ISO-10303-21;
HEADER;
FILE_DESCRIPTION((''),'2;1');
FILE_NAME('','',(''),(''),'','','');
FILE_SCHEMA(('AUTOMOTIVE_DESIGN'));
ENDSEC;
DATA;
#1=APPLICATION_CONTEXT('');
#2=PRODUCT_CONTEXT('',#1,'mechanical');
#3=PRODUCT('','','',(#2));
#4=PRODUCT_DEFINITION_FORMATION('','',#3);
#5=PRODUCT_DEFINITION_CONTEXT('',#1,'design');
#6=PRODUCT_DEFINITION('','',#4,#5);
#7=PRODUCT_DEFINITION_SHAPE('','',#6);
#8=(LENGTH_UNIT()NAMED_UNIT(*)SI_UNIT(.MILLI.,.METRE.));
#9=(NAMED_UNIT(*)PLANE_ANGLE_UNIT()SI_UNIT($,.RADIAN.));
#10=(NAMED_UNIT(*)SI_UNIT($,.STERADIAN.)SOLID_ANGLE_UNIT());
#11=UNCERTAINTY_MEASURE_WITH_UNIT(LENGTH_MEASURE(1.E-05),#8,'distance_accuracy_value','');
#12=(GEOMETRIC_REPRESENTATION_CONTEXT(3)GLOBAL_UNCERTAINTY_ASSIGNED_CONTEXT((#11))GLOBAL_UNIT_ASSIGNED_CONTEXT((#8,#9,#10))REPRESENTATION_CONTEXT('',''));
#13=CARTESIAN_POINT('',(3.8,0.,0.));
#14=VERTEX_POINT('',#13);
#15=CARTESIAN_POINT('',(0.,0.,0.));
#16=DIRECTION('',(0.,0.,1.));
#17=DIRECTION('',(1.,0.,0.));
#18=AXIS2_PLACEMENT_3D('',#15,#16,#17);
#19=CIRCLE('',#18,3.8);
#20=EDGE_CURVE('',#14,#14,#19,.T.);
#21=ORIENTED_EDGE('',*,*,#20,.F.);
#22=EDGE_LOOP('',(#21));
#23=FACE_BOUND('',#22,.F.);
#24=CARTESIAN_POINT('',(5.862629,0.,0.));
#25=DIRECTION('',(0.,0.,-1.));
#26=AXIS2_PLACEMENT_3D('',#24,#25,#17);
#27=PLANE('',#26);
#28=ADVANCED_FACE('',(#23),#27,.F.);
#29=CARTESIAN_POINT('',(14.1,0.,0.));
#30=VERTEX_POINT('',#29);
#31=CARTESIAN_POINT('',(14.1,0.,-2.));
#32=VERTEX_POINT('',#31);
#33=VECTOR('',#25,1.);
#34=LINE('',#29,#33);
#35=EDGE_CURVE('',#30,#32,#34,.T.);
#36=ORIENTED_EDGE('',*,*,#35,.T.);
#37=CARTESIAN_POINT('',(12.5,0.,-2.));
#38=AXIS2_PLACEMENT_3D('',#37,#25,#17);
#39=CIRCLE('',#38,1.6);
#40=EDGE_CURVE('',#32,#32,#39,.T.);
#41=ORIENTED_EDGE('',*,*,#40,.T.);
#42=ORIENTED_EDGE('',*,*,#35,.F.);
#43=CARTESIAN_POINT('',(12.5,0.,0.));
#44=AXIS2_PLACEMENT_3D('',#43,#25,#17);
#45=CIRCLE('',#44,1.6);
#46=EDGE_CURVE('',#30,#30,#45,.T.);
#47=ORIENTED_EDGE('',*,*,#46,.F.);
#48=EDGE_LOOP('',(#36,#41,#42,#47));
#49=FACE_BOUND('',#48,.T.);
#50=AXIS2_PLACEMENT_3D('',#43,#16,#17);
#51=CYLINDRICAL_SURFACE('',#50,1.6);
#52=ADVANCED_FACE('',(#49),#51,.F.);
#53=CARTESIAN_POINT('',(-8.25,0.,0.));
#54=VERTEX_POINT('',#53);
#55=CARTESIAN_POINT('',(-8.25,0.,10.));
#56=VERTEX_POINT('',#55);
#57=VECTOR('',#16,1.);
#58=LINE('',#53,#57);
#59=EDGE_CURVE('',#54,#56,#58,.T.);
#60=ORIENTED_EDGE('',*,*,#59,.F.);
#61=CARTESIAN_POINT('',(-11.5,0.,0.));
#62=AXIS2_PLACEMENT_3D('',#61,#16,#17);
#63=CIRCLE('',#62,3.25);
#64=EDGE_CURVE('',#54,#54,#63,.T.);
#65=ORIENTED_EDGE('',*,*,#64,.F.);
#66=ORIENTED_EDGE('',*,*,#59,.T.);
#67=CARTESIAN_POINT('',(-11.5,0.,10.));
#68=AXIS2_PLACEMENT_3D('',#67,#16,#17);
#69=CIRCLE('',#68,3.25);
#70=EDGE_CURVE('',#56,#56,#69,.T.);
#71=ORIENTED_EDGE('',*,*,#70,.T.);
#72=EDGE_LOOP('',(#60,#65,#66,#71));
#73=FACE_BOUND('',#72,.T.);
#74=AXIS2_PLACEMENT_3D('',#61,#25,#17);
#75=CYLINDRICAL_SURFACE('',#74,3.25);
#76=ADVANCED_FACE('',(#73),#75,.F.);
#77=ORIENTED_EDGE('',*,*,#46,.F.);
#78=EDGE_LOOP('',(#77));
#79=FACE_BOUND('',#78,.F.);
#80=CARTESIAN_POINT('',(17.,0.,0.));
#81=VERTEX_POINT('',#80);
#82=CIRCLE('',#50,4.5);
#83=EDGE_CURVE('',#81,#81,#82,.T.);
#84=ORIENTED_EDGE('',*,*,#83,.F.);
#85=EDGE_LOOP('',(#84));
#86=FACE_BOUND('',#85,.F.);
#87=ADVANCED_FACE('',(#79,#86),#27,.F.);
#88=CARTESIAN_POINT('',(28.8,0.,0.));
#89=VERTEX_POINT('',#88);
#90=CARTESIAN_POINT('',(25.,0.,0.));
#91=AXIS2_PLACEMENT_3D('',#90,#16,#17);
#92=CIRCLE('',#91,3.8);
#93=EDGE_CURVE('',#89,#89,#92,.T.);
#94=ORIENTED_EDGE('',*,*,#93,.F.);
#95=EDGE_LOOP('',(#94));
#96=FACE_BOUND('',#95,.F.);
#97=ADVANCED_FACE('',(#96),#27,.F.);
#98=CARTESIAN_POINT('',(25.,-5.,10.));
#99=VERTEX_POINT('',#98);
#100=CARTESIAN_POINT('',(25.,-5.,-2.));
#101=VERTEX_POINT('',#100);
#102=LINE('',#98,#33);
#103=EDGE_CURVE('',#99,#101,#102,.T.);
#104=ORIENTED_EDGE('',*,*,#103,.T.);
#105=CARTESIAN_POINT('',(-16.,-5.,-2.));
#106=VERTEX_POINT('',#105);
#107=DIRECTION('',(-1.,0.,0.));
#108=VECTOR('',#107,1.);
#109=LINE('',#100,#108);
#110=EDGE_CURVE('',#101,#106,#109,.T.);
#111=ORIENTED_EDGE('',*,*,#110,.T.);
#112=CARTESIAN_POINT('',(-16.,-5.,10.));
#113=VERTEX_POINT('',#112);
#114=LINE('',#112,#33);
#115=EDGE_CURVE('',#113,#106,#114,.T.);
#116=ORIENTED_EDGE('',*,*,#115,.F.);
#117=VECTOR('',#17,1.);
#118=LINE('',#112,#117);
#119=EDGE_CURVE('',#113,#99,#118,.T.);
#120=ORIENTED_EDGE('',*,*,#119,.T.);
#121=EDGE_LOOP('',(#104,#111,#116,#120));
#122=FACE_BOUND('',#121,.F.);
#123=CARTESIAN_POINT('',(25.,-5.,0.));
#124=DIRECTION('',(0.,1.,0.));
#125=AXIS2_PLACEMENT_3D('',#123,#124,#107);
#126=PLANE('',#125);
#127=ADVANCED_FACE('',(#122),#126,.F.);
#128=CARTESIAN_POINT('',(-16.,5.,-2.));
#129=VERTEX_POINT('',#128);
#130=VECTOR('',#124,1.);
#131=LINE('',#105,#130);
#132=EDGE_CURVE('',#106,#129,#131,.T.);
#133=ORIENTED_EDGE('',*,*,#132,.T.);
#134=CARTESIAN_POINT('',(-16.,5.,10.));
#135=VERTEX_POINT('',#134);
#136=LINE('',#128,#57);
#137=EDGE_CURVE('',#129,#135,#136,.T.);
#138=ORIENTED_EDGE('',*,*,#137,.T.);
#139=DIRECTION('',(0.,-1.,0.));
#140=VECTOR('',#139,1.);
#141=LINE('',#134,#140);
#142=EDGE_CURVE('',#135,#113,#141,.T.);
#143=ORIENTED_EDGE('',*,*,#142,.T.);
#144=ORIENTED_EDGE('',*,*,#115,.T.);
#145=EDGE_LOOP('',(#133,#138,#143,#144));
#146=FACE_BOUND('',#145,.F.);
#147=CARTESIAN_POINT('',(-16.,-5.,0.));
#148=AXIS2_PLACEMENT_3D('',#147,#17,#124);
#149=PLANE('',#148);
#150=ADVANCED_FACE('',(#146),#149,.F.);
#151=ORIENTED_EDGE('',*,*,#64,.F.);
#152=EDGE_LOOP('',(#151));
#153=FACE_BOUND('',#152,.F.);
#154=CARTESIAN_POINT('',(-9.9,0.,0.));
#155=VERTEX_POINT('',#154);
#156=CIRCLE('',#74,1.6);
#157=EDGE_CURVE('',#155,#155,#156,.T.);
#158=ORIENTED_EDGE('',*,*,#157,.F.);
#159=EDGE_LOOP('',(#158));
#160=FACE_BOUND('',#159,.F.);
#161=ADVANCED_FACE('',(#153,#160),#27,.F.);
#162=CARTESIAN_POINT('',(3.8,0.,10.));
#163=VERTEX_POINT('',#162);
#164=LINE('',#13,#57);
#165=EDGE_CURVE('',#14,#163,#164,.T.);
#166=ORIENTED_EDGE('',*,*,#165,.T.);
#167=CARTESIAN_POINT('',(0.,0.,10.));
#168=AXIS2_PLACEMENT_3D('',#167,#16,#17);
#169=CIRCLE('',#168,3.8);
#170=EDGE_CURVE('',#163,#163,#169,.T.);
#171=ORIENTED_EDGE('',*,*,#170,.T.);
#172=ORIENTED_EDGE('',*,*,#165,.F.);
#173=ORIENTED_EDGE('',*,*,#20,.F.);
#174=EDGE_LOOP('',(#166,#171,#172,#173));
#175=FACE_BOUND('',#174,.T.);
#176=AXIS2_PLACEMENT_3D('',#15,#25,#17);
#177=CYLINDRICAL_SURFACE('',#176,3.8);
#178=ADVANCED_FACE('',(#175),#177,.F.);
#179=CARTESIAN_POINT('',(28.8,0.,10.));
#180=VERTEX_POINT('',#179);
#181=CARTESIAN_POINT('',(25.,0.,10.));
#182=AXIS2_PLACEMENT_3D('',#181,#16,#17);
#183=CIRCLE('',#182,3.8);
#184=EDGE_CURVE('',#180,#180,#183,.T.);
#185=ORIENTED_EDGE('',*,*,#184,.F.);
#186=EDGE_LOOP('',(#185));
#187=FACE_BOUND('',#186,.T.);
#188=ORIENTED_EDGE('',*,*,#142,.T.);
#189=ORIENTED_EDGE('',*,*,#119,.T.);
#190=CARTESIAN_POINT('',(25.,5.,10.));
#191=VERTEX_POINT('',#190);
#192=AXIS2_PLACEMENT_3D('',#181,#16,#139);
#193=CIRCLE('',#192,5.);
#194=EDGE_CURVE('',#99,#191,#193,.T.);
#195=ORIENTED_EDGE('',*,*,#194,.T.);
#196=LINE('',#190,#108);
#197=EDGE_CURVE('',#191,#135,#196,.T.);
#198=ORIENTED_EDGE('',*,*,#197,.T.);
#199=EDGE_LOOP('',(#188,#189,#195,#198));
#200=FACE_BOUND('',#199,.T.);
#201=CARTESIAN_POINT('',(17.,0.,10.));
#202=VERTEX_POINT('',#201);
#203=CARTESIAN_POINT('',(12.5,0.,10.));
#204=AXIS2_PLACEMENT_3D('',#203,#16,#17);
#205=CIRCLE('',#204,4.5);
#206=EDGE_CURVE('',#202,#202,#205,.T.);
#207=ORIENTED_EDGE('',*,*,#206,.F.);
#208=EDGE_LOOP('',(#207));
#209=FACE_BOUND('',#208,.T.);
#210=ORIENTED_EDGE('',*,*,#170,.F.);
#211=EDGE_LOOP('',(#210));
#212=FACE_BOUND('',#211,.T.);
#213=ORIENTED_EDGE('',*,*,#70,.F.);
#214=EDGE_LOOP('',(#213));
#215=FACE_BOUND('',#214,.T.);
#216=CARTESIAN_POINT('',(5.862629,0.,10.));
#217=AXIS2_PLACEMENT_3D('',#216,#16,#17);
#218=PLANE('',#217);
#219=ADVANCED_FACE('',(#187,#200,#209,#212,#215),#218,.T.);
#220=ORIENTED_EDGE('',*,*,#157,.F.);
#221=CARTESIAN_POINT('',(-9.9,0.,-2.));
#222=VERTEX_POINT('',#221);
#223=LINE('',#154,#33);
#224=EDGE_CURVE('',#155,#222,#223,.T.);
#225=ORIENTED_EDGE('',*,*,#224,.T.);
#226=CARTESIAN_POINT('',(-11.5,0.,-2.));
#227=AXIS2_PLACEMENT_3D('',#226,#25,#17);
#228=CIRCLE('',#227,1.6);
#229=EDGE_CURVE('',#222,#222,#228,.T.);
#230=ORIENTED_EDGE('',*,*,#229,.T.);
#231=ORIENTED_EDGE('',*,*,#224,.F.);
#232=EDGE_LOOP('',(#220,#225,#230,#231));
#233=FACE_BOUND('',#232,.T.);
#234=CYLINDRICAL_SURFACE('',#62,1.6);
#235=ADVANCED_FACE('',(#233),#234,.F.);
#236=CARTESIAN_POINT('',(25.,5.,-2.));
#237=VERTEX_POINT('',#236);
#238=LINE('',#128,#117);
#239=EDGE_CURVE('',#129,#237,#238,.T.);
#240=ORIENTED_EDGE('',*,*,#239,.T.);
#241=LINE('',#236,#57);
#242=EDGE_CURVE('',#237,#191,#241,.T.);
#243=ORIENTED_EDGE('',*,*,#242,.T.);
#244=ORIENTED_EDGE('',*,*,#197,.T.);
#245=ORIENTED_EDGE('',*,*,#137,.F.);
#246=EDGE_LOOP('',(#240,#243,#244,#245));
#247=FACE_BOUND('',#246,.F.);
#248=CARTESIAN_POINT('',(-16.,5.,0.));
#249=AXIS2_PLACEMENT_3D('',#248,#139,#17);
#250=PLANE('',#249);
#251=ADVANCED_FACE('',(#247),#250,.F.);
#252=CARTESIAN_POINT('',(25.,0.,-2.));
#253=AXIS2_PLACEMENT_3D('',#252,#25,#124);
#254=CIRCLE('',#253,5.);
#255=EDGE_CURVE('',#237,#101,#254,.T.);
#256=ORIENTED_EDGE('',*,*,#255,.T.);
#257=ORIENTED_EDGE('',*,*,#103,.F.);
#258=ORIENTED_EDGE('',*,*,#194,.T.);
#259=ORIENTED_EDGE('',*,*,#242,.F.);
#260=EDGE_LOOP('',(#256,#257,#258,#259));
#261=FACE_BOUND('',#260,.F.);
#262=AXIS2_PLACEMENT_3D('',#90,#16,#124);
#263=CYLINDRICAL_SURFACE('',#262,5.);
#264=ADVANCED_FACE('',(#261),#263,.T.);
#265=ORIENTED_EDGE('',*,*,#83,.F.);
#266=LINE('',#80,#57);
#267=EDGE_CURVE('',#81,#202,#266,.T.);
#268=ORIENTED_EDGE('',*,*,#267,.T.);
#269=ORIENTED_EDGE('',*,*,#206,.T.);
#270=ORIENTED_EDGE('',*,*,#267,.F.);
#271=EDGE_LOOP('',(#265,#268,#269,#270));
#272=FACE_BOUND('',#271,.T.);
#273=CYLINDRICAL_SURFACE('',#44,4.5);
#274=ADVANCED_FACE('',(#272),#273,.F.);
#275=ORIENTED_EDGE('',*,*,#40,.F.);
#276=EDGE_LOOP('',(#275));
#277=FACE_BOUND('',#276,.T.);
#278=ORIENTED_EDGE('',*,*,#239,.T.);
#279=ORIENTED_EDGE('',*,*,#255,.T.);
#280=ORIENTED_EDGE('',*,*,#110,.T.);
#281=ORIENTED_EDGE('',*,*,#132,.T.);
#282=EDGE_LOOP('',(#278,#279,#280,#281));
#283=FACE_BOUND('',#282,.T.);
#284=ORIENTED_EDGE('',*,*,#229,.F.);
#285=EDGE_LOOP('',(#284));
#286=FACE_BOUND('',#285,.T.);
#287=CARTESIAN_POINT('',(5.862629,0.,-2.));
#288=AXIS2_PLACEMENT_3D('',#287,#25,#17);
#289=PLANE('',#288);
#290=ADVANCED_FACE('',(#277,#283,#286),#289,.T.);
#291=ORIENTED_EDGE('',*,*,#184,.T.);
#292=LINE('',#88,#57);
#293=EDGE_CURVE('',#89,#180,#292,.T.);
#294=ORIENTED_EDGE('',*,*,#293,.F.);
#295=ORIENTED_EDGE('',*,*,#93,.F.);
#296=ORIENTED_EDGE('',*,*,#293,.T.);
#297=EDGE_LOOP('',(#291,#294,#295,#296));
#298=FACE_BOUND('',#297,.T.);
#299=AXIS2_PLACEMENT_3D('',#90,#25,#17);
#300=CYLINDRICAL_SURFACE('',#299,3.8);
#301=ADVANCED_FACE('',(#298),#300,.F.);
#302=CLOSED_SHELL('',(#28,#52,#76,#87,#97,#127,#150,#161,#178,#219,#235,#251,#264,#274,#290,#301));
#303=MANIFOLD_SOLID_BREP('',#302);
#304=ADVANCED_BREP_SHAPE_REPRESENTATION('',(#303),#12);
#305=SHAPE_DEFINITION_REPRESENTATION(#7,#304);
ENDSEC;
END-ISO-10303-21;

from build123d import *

# Parameters (mm, degrees)
SKETCH_R     = 3.8
SKETCH_R_2   = 4.5
SKETCH_R_3   = 3.25
PAD_DEPTH    = 10
SKETCH001_R  = 1.6
PAD001_DEPTH = 2


with BuildPart() as part:
    # Sketch → Pad (new body)
    with BuildSketch(Plane.XY):
        with BuildLine():
            ThreePointArc((25, -5), (30, 0), (25, 5))
            Line((0, 5), (25, 5))
            Line((0, 5), (-16, 5))
            Line((-16, 5), (-16, -5))
            Line((-16, -5), (0, -5))
            Line((0, -5), (25, -5))
        make_face()
        Circle(SKETCH_R, mode=Mode.SUBTRACT)
        with Locations((25, 0)):
            Circle(SKETCH_R, mode=Mode.SUBTRACT)
        with Locations((12.5, 0)):
            Circle(SKETCH_R_2, mode=Mode.SUBTRACT)
        with Locations((-11.5, 0)):
            Circle(SKETCH_R_3, mode=Mode.SUBTRACT)
    extrude(amount=PAD_DEPTH)

    # Sketch001 (on Face11 of Pad) → Pad001 (join)
    with BuildSketch(Plane(origin=(0, 0, 0), x_dir=(1, 0, 0), z_dir=(0, 0, -1))):
        with BuildLine():
            ThreePointArc((25, -5), (30, 0), (25, 5))
            Line((0, 5), (25, 5))
            Line((0, 5), (-16, 5))
            Line((-16, 5), (-16, -5))
            Line((-16, -5), (0, -5))
            Line((0, -5), (25, -5))
        make_face()
        with Locations((12.5, 0)):
            Circle(SKETCH001_R, mode=Mode.SUBTRACT)
        with Locations((-11.5, 0)):
            Circle(SKETCH001_R, mode=Mode.SUBTRACT)
    extrude(amount=PAD001_DEPTH)


solid = part.part
